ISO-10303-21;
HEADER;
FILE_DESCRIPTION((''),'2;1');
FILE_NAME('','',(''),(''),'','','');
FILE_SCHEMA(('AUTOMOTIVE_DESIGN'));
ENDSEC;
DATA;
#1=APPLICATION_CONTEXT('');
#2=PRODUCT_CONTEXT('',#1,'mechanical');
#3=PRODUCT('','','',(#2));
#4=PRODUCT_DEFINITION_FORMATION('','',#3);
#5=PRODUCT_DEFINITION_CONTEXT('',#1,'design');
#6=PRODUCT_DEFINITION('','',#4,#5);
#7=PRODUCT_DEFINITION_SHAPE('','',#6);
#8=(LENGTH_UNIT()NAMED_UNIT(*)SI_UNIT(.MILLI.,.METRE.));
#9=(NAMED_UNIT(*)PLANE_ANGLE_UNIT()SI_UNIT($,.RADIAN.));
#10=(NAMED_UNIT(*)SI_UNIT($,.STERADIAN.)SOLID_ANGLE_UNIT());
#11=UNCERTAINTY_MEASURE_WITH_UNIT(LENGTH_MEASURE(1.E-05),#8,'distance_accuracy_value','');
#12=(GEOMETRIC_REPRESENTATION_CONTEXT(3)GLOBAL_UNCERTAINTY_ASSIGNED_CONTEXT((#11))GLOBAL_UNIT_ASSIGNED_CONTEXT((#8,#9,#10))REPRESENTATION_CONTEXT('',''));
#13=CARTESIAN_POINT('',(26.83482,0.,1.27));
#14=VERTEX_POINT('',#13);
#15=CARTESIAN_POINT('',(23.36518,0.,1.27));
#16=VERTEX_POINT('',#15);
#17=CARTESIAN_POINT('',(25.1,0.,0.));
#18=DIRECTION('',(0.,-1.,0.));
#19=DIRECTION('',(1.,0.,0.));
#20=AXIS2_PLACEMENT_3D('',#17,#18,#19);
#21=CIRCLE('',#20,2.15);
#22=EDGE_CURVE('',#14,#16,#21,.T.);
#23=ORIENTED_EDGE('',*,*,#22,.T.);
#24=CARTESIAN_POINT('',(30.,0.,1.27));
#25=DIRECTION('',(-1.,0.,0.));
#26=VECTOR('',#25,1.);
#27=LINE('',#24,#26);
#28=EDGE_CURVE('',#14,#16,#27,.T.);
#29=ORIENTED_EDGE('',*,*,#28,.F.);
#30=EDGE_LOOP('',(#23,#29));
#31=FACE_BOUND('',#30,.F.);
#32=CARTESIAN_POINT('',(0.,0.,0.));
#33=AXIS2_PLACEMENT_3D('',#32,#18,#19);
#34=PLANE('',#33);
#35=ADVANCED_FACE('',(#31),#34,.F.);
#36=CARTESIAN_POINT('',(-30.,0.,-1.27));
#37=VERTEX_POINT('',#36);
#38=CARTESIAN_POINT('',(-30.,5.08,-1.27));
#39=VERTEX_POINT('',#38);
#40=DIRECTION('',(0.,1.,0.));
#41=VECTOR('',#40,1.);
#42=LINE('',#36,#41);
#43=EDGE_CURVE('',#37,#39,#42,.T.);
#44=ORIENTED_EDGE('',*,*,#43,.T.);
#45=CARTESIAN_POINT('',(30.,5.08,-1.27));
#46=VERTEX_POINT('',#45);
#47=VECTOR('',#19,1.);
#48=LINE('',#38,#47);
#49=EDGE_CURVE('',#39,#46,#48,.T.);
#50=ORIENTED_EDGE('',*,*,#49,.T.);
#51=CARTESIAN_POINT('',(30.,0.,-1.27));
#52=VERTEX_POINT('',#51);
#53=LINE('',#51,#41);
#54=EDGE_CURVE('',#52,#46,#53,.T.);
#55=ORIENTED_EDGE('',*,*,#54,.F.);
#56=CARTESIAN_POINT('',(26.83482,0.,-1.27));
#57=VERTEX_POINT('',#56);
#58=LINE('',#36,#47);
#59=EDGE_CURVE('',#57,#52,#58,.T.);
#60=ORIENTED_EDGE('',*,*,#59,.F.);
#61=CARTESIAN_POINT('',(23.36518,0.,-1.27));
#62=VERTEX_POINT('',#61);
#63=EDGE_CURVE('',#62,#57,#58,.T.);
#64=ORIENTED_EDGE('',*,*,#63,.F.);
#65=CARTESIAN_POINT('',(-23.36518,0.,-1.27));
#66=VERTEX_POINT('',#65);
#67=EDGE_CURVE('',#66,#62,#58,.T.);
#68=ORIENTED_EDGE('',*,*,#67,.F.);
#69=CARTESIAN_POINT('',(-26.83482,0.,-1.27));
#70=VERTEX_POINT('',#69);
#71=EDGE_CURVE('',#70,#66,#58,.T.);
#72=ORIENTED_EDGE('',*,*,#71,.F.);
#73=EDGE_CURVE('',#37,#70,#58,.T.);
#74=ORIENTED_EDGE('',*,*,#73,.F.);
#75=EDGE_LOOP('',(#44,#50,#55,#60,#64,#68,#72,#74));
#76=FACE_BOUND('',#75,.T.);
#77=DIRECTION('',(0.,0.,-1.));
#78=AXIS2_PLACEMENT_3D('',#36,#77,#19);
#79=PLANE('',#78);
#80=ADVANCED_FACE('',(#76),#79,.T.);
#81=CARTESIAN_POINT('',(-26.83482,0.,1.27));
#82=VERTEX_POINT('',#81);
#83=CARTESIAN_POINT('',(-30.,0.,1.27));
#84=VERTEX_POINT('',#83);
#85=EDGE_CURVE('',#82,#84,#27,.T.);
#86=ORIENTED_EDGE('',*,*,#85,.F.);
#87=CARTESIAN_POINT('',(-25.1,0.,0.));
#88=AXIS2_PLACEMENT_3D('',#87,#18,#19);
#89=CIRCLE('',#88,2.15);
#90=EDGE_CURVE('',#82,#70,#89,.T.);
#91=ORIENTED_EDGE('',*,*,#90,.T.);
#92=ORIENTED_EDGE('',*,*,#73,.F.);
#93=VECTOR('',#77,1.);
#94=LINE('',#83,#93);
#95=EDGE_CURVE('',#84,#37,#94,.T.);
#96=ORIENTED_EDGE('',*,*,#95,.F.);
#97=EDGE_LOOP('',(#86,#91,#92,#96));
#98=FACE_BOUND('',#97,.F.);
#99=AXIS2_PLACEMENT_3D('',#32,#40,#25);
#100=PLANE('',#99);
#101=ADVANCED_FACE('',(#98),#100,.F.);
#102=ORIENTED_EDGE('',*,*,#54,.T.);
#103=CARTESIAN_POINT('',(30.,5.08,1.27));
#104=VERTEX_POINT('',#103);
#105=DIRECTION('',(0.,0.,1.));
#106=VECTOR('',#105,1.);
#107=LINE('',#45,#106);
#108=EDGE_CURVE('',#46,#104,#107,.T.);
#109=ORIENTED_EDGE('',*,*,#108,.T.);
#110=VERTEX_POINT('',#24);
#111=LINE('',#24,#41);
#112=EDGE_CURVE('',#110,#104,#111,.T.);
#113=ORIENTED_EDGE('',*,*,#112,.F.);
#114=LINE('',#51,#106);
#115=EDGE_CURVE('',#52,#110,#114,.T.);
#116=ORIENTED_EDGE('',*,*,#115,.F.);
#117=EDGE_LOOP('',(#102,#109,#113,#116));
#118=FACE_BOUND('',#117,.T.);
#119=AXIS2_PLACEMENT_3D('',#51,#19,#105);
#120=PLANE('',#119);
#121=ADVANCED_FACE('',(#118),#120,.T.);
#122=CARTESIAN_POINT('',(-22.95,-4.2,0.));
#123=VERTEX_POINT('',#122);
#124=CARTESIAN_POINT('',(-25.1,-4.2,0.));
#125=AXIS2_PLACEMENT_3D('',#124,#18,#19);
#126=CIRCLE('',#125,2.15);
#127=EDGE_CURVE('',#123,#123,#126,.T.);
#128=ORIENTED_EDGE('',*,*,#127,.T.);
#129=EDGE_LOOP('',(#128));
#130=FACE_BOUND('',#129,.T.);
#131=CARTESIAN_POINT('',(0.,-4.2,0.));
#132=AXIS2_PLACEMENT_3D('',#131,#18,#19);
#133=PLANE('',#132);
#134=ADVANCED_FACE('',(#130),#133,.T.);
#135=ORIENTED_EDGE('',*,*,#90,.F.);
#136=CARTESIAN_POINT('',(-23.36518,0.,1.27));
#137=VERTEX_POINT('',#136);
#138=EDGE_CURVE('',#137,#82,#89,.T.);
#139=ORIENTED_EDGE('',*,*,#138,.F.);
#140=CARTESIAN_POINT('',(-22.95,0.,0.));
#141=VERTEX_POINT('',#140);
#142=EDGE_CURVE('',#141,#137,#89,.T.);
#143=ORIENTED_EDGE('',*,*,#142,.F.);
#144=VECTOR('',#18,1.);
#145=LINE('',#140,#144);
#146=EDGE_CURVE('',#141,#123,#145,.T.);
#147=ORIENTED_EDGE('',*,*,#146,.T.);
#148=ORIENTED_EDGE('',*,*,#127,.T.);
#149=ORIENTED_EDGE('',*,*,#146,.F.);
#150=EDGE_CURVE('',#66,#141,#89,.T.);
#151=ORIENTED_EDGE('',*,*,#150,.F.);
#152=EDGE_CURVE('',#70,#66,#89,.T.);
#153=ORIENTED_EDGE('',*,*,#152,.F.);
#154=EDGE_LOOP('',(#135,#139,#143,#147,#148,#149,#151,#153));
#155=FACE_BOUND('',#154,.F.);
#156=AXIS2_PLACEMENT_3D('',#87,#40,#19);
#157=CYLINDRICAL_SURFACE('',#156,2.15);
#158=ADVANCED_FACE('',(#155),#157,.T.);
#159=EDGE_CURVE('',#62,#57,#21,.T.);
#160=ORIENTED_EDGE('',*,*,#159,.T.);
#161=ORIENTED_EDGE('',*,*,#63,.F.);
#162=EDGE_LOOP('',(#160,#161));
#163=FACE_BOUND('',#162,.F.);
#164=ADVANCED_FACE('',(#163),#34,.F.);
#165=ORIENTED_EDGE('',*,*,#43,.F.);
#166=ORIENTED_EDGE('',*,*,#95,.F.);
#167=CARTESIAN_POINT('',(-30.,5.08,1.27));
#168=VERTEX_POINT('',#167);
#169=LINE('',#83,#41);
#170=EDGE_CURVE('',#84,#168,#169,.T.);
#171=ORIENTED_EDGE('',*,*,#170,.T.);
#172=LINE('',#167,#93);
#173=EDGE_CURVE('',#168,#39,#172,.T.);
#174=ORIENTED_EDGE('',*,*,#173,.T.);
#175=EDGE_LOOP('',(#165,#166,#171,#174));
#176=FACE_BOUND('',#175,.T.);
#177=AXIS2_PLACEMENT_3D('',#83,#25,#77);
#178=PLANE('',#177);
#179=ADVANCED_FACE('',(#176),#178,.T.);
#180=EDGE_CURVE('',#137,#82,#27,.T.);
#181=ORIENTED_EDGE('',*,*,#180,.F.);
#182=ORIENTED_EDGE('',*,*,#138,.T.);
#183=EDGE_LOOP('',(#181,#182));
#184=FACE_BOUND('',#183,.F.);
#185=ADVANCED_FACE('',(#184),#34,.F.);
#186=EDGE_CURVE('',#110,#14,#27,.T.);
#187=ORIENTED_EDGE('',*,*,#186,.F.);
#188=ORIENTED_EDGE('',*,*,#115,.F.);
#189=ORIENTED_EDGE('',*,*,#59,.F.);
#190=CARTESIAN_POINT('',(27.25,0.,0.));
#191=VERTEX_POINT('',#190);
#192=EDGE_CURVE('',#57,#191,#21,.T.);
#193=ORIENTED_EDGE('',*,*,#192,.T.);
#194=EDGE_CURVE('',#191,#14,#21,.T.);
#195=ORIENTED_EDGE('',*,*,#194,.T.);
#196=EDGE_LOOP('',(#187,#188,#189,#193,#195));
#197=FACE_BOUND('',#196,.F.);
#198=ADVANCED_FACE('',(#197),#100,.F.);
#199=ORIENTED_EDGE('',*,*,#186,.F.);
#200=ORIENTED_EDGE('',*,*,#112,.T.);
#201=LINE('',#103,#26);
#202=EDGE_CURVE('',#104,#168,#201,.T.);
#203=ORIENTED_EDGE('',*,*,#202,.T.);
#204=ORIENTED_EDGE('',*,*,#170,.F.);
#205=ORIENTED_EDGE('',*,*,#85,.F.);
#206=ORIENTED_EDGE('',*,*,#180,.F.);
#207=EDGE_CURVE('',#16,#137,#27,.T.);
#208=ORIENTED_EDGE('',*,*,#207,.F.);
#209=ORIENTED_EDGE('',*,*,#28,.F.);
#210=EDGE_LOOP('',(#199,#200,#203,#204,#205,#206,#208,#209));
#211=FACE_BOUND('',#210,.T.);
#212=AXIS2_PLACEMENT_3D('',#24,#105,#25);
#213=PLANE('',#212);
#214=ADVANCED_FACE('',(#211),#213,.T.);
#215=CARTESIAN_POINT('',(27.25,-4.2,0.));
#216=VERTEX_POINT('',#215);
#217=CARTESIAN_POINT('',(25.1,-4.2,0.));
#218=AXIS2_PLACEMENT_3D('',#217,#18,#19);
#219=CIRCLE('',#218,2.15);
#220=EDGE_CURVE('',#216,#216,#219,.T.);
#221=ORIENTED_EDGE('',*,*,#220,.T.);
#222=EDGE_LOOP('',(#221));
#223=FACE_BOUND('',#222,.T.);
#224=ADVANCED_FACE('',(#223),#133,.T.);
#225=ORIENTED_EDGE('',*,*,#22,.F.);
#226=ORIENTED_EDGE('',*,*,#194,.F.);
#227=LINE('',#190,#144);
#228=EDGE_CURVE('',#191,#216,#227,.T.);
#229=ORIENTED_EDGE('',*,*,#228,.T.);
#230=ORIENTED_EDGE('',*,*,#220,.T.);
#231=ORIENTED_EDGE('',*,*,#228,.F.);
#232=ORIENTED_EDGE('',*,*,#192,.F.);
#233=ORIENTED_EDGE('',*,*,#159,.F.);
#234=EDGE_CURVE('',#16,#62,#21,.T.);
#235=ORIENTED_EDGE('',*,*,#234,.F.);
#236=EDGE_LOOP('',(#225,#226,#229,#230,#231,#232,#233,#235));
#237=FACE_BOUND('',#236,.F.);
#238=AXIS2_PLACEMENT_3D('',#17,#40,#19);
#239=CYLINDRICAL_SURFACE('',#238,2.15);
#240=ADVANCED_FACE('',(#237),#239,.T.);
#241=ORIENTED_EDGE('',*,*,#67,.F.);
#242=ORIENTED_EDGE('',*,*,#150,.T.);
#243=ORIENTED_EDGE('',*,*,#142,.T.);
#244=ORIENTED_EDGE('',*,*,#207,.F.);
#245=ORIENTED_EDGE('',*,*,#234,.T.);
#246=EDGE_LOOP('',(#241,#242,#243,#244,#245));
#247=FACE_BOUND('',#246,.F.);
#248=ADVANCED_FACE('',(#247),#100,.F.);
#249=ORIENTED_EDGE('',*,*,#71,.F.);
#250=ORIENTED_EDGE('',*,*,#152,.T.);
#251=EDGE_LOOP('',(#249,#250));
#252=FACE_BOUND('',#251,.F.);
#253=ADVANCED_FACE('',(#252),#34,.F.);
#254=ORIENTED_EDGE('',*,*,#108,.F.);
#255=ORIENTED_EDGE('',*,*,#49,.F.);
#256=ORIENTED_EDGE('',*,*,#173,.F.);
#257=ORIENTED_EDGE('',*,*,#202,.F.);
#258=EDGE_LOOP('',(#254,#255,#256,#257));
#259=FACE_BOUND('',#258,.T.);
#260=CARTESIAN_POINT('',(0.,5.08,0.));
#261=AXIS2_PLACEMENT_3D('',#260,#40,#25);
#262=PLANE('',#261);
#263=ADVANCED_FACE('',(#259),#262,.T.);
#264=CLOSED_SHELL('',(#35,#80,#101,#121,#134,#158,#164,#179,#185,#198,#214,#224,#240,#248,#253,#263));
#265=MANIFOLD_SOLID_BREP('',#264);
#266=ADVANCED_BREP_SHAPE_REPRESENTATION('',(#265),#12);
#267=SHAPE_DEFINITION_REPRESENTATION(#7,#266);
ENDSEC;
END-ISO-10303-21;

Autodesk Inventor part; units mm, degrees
ref_plane "YZ Plane" through (0, 0, 0) normal (1, 0, 0) x (0, 1, 0)
ref_plane "XZ Plane" through (0, 0, 0) normal (0, 1, 0) x (-1, 0, 0)
ref_plane "XY Plane" through (0, 0, 0) normal (0, 0, 1) x (1, 0, 0)
sketch "Sketch1" plane through (0, 0, 0) normal (0, 1, 0) x (-1, 0, 0)
  point P0 (0, 0)
sketch "Sketch2" plane through (0, 0, 0) normal (0, 1, 0) x (-1, 0, 0)
  line L0 (30, -1.27) -> (-30, -1.27)
  line L1 (-30, -1.27) -> (-30, 1.27)
  line L2 (-30, 1.27) -> (30, 1.27)
  line L3 (30, 1.27) -> (30, -1.27)
  line L4 (30, -1.27) -> (-30, 1.27) construction
  line L5 (-30, -1.27) -> (30, 1.27) construction
  point P0 (0, 0)
  dimension "d0" = 60
  dimension "d1" = 2.54
extrude "Extrusion1" add sketch "Sketch2" along normal blind 5.08
sketch "Sketch3" plane through (0, 0, 0) normal (0, -1, 0) x (1, 0, 0)
  circle A0 centre (-25.1, 0) radius 2.15
  line L0 (-30, -1.27) -> (-30, 1.27) projected
  circle A1 centre (25.1, 0) radius 2.15
  line L1 (30, 1.27) -> (30, -1.27) projected
  point P0 (0, 0)
  dimension "d4" = 4.3
  dimension "d5" = 4.9
  dimension "d6" = 4.3
  dimension "d7" = 4.9
extrude "Extrusion2" add sketch "Sketch3" along normal blind 4.2
properties part number "dsadas"
